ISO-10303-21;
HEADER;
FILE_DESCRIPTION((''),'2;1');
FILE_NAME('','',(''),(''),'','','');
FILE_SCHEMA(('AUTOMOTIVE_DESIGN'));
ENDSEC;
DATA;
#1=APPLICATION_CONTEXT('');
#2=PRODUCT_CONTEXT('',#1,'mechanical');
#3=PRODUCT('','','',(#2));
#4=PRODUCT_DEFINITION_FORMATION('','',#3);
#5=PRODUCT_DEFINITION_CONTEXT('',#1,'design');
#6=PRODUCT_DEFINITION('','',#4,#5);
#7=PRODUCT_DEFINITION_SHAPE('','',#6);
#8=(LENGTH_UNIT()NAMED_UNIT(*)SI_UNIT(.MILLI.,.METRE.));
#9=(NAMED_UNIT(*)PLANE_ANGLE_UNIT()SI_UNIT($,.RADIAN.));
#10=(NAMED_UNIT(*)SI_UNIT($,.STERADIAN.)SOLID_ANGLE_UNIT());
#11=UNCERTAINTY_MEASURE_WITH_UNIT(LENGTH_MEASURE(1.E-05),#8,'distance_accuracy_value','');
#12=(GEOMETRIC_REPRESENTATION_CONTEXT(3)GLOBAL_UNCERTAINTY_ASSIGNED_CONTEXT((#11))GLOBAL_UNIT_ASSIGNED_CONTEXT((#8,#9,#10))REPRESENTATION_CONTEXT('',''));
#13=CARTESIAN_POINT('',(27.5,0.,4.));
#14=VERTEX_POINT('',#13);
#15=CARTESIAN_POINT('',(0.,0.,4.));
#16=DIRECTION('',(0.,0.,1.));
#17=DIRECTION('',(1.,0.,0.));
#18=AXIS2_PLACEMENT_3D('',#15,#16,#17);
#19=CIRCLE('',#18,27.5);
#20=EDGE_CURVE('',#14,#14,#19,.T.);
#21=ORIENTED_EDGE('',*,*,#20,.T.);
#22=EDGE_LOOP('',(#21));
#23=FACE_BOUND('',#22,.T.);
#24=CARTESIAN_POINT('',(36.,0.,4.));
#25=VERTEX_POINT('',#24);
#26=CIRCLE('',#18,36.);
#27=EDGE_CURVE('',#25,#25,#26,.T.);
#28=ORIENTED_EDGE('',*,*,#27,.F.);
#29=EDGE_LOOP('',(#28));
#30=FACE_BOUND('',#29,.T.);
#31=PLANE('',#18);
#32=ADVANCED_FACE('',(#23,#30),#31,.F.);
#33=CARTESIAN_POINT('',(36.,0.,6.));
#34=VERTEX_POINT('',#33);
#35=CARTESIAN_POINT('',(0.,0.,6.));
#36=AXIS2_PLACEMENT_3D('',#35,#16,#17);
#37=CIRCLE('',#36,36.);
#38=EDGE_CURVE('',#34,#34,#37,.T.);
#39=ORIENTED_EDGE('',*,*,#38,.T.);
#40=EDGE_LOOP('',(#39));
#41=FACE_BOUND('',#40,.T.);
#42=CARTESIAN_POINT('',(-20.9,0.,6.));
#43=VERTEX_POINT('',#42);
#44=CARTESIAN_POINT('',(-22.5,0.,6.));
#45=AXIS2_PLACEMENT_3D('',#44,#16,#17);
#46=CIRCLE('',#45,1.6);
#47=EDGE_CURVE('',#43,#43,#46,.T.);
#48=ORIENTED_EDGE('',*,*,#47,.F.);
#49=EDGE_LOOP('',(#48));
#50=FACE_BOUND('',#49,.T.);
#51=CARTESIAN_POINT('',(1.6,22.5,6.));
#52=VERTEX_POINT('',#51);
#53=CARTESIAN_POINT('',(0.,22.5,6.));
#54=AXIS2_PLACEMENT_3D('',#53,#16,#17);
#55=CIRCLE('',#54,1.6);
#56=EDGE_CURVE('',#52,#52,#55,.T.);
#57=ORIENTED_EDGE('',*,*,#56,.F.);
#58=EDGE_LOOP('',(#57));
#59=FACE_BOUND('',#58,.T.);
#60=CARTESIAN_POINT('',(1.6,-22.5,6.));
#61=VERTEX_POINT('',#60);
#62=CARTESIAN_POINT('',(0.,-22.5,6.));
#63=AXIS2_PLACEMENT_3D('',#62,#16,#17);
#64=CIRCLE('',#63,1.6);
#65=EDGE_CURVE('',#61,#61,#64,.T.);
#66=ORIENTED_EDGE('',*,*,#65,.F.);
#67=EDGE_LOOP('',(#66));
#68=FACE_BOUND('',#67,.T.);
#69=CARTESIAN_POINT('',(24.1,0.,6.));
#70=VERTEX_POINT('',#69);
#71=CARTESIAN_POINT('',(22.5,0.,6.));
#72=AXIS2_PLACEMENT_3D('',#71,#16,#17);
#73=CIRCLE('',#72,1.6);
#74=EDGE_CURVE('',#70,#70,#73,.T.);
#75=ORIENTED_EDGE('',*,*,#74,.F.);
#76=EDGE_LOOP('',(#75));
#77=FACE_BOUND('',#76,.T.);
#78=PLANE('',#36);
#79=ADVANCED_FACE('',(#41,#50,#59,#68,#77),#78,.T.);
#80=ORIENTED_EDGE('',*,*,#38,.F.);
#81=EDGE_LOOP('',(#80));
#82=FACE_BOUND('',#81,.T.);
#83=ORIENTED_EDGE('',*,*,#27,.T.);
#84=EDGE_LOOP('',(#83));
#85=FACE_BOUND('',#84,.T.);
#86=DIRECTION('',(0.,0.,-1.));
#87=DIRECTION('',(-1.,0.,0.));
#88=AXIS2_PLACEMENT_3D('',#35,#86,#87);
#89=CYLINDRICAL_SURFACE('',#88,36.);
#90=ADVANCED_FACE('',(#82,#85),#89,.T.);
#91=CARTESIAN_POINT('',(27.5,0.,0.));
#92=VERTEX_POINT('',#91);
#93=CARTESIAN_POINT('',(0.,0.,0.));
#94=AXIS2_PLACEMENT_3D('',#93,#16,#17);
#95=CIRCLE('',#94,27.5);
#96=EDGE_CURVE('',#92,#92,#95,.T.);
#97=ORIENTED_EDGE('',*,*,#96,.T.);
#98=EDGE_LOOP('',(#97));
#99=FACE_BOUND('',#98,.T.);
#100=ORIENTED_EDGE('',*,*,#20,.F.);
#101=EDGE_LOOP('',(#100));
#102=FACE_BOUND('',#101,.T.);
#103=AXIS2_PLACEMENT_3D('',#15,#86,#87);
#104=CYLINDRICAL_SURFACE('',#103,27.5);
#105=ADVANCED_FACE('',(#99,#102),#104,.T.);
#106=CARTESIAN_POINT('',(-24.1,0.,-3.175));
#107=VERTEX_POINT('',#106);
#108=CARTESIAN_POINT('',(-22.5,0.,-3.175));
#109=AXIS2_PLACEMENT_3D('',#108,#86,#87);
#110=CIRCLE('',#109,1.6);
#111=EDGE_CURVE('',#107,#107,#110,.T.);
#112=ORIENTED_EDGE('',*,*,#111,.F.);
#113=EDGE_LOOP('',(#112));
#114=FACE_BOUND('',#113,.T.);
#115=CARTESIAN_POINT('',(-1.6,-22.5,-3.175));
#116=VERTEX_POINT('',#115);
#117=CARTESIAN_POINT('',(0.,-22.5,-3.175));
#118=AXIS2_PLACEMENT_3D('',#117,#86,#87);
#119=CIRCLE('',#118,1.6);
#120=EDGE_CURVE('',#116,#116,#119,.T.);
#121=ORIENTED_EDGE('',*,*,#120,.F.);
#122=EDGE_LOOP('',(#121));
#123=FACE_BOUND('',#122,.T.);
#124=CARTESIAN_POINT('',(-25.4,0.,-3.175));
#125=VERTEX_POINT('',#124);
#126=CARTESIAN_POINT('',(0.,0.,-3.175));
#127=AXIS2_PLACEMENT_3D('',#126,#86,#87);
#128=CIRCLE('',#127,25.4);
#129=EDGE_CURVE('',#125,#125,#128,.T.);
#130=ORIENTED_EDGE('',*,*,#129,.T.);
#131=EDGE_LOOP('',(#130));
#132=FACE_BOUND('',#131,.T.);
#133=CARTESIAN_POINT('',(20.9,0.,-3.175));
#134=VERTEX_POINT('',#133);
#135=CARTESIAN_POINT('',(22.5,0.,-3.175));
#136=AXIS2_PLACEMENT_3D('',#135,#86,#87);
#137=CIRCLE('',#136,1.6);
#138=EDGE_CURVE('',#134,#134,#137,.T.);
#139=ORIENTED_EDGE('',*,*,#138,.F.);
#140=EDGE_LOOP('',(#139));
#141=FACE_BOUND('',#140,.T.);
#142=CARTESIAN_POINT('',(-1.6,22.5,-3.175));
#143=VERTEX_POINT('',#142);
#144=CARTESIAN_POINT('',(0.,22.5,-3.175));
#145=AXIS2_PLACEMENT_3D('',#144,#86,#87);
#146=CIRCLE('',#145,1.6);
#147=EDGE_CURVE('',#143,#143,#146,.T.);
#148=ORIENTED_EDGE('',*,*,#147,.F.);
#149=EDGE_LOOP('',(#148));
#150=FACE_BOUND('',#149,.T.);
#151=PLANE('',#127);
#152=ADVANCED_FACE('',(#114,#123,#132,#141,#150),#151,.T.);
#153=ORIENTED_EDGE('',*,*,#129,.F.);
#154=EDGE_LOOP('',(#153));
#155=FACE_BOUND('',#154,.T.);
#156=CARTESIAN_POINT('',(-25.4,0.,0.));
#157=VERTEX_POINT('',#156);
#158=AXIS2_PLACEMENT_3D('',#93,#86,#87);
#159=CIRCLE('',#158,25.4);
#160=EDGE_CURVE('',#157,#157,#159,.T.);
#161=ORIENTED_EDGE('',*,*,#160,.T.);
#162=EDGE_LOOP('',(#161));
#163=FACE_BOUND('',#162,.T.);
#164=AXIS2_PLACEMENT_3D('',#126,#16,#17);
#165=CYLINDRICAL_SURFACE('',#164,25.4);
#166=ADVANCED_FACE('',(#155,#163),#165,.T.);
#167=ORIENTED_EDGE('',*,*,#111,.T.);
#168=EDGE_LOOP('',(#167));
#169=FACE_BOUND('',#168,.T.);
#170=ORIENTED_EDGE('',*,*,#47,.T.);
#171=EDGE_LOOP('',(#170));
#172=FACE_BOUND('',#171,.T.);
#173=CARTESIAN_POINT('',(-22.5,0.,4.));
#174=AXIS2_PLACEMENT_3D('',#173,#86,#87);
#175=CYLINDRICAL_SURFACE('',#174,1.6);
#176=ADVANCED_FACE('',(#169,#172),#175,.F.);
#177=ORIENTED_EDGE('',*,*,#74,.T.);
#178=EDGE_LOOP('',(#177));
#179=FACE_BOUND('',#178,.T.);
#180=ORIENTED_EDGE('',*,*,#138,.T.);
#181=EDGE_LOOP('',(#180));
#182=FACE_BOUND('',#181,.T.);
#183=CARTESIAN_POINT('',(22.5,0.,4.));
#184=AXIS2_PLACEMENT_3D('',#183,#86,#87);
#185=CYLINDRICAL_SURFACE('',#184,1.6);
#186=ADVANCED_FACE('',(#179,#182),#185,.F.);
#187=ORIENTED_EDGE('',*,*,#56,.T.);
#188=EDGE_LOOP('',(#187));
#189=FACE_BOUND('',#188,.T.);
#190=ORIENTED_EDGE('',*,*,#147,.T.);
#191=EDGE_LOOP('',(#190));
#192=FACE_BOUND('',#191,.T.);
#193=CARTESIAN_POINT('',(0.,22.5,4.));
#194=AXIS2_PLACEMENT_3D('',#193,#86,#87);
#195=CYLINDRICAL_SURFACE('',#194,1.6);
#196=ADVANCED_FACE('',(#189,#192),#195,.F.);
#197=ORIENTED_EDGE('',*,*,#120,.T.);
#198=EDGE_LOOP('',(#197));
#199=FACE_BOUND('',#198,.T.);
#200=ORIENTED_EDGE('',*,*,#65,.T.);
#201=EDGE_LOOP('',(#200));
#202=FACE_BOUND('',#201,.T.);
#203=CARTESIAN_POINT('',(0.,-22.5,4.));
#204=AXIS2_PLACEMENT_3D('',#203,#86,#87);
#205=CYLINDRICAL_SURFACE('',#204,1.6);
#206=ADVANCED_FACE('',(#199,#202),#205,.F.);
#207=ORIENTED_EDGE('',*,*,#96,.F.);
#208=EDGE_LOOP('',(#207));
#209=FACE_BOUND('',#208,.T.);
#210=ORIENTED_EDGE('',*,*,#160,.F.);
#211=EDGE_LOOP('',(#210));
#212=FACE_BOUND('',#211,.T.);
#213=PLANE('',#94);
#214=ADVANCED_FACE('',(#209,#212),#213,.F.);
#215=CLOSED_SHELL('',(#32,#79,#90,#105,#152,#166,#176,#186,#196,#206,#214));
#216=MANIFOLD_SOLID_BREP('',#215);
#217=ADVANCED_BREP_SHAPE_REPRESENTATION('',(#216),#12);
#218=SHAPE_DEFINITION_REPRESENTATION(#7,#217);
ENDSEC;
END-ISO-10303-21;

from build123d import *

# Parameters (mm, degrees)
SKETCH_1_R          = 27.5
EXTRUDE_1_DEPTH     = 4
SKETCH_2_R          = 25.4
EXTRUDE_2_DEPTH     = 3.175
SKETCH_3_R          = 1.6
CUT_EXTRUDE_1_DEPTH = 40.547194907
SKETCH_4_R          = 36
SKETCH_4_R_2        = 1.6
EXTRUDE_3_DEPTH     = 2


with BuildPart() as part:
    # ｽｹｯﾁ1 → ﾎﾞｽ - 押し出し1 (new body)
    with BuildSketch(Plane.XY):
        Circle(SKETCH_1_R)
    extrude(amount=EXTRUDE_1_DEPTH)

    # ｽｹｯﾁ2 → ﾎﾞｽ - 押し出し2 (add)
    with BuildSketch(Plane(origin=(0, 0, 0), x_dir=(-1, 0, 0), z_dir=(0, 0, -1))):
        Circle(SKETCH_2_R)
    extrude(amount=EXTRUDE_2_DEPTH)

    # ｽｹｯﾁ3 → ｶｯﾄ - 押し出し1 (cut, through all)
    with BuildSketch(Plane(origin=(0, 0, -3.175), x_dir=(-1, 0, 0), z_dir=(0, 0, -1))):
        with Locations((0, 22.5)):
            Circle(SKETCH_3_R)
        with Locations((22.5, 0)):
            Circle(SKETCH_3_R)
        with Locations((0, -22.5)):
            Circle(SKETCH_3_R)
        with Locations((-22.5, 0)):
            Circle(SKETCH_3_R)
    extrude(amount=-CUT_EXTRUDE_1_DEPTH, mode=Mode.SUBTRACT)

    # ｽｹｯﾁ4 → ﾎﾞｽ - 押し出し3 (add)
    with BuildSketch(Plane.XY.offset(4)):
        Circle(SKETCH_4_R)
        with Locations(Location((0, 22.5, 0), (0, 0, 180))):
            Circle(SKETCH_4_R_2, mode=Mode.SUBTRACT)
        with Locations(Location((-22.5, 0, 0), (0, 0, 180))):
            Circle(SKETCH_4_R_2, mode=Mode.SUBTRACT)
        with Locations(Location((0, -22.5, 0), (0, 0, 180))):
            Circle(SKETCH_4_R_2, mode=Mode.SUBTRACT)
        with Locations(Location((22.5, 0, 0), (0, 0, 180))):
            Circle(SKETCH_4_R_2, mode=Mode.SUBTRACT)
    extrude(amount=EXTRUDE_3_DEPTH)


solid = part.part
